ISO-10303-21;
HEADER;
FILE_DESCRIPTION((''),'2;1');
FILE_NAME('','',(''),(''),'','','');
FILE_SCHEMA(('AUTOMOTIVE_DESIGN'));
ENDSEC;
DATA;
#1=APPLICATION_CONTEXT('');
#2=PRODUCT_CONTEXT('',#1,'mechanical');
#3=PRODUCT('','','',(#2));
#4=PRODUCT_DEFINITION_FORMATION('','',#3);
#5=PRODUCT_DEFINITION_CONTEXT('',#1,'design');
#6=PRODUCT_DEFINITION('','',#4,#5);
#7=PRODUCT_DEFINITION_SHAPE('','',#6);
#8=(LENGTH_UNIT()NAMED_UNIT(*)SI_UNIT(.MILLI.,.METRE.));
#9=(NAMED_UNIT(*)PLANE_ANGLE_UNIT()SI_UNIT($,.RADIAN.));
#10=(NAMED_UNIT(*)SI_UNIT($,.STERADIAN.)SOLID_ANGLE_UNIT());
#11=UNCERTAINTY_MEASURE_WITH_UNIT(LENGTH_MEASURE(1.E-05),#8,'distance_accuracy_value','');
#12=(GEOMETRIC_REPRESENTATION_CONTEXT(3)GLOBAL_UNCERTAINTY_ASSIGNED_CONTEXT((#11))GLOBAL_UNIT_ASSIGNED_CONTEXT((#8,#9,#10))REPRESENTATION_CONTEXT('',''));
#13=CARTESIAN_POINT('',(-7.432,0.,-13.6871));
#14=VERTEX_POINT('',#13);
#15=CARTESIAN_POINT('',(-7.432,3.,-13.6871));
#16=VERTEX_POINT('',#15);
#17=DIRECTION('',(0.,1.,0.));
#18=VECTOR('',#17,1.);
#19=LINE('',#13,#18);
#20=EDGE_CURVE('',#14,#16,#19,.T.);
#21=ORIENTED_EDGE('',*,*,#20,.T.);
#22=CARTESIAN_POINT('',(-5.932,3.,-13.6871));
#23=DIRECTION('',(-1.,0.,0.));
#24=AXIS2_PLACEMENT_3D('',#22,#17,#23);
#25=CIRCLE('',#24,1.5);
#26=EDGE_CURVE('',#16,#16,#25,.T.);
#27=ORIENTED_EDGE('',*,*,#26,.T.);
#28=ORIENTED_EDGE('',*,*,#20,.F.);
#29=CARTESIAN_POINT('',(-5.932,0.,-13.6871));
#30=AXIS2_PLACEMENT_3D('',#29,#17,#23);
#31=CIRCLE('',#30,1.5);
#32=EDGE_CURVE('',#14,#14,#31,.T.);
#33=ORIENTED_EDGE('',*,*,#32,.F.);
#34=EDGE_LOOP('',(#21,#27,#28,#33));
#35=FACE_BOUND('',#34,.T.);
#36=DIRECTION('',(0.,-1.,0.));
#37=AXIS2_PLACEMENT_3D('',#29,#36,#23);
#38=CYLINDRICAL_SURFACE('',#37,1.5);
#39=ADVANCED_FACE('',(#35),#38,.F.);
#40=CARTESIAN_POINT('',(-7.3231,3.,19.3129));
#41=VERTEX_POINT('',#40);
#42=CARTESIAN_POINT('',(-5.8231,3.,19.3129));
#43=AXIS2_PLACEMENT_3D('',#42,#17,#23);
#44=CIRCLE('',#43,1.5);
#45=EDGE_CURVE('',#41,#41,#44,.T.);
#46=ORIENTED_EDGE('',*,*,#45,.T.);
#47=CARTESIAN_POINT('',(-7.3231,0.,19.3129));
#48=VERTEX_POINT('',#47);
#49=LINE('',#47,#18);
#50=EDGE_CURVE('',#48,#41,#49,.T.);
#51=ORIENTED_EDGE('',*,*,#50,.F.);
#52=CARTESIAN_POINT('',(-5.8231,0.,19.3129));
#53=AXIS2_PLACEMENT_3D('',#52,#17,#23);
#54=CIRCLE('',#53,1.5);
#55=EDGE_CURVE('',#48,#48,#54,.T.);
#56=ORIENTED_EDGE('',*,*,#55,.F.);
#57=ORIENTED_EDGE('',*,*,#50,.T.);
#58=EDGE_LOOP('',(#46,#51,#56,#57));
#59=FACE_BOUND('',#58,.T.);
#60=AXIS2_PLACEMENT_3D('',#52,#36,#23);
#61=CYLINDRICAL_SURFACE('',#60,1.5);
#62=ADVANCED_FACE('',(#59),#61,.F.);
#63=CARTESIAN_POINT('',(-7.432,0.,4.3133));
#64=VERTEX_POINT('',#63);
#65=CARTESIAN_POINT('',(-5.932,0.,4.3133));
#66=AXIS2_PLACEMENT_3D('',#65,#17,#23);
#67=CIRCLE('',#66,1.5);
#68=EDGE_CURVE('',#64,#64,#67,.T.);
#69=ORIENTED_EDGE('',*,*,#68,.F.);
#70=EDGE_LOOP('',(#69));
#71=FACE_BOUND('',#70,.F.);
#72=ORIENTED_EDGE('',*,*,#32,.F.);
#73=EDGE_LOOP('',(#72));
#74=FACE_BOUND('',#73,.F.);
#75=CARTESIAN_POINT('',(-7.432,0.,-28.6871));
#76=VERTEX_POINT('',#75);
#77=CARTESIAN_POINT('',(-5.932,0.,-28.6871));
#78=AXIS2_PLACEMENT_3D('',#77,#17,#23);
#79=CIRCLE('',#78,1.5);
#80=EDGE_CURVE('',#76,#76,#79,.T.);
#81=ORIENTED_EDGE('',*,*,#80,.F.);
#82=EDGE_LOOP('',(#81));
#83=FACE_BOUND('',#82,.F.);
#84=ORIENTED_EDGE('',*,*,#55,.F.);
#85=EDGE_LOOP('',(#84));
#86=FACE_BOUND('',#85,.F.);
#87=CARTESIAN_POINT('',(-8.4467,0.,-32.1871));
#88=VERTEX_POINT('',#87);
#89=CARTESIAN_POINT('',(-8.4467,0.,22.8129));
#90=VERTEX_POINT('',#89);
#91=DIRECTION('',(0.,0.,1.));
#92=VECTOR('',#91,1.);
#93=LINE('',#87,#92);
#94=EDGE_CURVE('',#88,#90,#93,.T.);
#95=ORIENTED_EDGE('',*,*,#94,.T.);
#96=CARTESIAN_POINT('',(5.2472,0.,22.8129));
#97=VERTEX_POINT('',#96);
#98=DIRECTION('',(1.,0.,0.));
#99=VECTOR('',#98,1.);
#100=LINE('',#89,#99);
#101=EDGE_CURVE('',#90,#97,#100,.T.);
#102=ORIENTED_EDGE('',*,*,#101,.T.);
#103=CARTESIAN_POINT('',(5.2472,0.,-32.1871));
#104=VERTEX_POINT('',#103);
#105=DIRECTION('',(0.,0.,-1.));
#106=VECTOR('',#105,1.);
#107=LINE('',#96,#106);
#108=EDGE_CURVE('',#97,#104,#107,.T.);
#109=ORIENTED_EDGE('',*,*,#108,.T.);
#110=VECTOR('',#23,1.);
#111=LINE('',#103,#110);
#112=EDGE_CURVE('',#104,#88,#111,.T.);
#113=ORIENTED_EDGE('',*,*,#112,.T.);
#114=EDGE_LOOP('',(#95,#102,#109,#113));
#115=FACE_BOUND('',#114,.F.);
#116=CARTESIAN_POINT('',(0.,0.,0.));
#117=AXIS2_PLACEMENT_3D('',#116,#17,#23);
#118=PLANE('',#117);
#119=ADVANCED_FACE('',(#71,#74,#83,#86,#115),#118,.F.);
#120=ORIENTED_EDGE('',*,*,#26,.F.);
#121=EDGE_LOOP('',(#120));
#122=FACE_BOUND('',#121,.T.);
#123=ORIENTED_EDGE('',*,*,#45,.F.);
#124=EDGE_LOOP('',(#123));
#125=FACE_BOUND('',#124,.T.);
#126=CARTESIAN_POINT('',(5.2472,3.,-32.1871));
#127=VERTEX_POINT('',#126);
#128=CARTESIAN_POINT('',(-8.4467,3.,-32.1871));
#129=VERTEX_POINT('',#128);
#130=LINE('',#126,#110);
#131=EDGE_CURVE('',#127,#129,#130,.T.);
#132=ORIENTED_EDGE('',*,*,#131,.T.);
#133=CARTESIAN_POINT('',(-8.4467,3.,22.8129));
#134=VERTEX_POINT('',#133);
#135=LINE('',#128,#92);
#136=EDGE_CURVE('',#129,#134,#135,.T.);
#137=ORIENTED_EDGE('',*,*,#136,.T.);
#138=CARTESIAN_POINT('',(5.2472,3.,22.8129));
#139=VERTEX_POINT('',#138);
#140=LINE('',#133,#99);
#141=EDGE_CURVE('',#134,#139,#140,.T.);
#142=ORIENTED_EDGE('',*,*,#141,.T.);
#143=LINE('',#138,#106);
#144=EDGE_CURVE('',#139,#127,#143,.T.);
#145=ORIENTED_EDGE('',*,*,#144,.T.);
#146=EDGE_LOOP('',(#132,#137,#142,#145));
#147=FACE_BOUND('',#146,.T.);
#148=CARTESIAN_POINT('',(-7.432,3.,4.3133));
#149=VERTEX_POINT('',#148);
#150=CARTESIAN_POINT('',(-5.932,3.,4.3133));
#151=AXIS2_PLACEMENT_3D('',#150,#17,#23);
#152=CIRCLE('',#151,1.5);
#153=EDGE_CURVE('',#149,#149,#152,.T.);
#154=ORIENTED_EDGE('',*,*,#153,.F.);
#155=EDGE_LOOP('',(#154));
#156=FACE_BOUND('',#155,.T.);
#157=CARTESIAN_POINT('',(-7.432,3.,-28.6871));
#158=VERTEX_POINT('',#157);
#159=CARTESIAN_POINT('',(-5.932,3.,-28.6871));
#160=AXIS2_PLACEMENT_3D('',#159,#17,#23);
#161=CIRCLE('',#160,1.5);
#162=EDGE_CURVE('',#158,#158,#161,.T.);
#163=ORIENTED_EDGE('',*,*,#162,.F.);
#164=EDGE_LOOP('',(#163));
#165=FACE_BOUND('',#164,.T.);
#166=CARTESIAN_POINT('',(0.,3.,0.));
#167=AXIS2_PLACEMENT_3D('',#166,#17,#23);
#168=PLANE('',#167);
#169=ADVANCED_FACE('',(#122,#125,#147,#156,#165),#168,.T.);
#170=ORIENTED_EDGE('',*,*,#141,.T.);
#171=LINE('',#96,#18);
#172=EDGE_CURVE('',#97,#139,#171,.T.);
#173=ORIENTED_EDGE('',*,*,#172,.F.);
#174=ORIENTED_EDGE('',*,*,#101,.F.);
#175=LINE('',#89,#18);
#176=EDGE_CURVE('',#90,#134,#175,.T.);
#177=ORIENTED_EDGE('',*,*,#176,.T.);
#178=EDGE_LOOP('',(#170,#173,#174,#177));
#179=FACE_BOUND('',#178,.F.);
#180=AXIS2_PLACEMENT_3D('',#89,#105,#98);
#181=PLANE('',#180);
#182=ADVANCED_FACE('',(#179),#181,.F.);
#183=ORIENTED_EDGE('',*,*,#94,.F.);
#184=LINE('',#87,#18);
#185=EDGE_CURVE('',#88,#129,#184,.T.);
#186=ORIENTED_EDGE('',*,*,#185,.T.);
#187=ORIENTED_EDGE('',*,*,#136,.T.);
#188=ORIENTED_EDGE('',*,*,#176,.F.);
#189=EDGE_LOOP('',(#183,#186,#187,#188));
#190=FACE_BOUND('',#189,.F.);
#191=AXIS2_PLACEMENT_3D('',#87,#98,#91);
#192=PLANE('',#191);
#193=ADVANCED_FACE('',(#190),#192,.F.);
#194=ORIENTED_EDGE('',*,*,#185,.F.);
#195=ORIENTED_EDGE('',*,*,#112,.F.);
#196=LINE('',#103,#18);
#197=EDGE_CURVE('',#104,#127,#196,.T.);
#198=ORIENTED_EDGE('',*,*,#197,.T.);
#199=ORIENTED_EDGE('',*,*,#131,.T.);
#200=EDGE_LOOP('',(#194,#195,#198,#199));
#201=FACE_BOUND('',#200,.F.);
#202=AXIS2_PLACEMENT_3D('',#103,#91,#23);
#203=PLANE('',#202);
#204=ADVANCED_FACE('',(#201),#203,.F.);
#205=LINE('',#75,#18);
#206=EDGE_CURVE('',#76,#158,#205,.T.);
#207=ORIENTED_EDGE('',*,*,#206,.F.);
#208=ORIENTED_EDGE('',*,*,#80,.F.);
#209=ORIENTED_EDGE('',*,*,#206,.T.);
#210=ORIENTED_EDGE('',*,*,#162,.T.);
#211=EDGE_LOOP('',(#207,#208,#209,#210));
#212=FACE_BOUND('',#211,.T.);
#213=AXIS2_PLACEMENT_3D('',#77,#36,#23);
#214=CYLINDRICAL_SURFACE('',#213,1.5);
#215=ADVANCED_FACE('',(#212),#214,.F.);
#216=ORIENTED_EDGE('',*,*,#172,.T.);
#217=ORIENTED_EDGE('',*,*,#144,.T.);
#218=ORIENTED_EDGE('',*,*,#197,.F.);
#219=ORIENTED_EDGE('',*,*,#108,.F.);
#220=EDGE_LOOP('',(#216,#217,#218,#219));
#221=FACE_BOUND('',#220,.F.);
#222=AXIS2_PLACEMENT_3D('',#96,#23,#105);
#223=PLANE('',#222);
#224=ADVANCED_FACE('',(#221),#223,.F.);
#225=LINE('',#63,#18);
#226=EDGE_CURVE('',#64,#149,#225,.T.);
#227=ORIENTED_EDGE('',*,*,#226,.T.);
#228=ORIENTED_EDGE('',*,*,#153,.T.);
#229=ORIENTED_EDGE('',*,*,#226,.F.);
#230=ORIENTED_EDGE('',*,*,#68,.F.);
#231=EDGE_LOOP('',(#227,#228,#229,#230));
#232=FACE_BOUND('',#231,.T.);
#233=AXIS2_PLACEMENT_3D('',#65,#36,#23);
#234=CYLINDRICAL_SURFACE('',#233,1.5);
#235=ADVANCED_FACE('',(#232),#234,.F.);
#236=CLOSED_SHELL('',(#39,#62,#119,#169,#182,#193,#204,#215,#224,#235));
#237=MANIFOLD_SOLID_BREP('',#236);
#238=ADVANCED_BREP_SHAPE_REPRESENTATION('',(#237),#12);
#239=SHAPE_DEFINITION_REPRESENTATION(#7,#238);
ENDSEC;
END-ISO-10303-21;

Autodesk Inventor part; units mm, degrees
ref_plane "YZ Plane" through (0, 0, 0) normal (1, 0, 0) x (0, 1, 0)
ref_plane "XZ Plane" through (0, 0, 0) normal (0, 1, 0) x (-1, 0, 0)
ref_plane "XY Plane" through (0, 0, 0) normal (0, 0, 1) x (1, 0, 0)
sketch "Sketch1" plane through (0, 0, 0) normal (0, 1, 0) x (-1, 0, 0)
  line L0 (8.4467, 22.8129) -> (-5.2472, 22.8129)
  line L1 (-5.2472, 22.8129) -> (-5.2472, -32.1871)
  line L2 (-5.2472, -32.1871) -> (8.4467, -32.1871)
  line L3 (8.4467, -32.1871) -> (8.4467, 22.8129)
  circle A0 centre (5.8231, 19.3129) radius 1.5
  circle A1 centre (5.932, 4.3133) radius 1.5
  circle A2 centre (5.932, -28.6871) radius 1.5
  circle A3 centre (5.932, -13.6871) radius 1.5
  point P0 (0, 0)
  dimension "d0" = 3
  dimension "d1" = 3
  dimension "d2" = 15
  dimension "d3" = 55
  dimension "d4" = 3
  dimension "d5" = 3
  dimension "d6" = 15
  dimension "d7" = 3.5
  dimension "d8" = 3.5
extrude "Extrusion1" add sketch "Sketch1" along normal blind 3
properties part number "soporte"
